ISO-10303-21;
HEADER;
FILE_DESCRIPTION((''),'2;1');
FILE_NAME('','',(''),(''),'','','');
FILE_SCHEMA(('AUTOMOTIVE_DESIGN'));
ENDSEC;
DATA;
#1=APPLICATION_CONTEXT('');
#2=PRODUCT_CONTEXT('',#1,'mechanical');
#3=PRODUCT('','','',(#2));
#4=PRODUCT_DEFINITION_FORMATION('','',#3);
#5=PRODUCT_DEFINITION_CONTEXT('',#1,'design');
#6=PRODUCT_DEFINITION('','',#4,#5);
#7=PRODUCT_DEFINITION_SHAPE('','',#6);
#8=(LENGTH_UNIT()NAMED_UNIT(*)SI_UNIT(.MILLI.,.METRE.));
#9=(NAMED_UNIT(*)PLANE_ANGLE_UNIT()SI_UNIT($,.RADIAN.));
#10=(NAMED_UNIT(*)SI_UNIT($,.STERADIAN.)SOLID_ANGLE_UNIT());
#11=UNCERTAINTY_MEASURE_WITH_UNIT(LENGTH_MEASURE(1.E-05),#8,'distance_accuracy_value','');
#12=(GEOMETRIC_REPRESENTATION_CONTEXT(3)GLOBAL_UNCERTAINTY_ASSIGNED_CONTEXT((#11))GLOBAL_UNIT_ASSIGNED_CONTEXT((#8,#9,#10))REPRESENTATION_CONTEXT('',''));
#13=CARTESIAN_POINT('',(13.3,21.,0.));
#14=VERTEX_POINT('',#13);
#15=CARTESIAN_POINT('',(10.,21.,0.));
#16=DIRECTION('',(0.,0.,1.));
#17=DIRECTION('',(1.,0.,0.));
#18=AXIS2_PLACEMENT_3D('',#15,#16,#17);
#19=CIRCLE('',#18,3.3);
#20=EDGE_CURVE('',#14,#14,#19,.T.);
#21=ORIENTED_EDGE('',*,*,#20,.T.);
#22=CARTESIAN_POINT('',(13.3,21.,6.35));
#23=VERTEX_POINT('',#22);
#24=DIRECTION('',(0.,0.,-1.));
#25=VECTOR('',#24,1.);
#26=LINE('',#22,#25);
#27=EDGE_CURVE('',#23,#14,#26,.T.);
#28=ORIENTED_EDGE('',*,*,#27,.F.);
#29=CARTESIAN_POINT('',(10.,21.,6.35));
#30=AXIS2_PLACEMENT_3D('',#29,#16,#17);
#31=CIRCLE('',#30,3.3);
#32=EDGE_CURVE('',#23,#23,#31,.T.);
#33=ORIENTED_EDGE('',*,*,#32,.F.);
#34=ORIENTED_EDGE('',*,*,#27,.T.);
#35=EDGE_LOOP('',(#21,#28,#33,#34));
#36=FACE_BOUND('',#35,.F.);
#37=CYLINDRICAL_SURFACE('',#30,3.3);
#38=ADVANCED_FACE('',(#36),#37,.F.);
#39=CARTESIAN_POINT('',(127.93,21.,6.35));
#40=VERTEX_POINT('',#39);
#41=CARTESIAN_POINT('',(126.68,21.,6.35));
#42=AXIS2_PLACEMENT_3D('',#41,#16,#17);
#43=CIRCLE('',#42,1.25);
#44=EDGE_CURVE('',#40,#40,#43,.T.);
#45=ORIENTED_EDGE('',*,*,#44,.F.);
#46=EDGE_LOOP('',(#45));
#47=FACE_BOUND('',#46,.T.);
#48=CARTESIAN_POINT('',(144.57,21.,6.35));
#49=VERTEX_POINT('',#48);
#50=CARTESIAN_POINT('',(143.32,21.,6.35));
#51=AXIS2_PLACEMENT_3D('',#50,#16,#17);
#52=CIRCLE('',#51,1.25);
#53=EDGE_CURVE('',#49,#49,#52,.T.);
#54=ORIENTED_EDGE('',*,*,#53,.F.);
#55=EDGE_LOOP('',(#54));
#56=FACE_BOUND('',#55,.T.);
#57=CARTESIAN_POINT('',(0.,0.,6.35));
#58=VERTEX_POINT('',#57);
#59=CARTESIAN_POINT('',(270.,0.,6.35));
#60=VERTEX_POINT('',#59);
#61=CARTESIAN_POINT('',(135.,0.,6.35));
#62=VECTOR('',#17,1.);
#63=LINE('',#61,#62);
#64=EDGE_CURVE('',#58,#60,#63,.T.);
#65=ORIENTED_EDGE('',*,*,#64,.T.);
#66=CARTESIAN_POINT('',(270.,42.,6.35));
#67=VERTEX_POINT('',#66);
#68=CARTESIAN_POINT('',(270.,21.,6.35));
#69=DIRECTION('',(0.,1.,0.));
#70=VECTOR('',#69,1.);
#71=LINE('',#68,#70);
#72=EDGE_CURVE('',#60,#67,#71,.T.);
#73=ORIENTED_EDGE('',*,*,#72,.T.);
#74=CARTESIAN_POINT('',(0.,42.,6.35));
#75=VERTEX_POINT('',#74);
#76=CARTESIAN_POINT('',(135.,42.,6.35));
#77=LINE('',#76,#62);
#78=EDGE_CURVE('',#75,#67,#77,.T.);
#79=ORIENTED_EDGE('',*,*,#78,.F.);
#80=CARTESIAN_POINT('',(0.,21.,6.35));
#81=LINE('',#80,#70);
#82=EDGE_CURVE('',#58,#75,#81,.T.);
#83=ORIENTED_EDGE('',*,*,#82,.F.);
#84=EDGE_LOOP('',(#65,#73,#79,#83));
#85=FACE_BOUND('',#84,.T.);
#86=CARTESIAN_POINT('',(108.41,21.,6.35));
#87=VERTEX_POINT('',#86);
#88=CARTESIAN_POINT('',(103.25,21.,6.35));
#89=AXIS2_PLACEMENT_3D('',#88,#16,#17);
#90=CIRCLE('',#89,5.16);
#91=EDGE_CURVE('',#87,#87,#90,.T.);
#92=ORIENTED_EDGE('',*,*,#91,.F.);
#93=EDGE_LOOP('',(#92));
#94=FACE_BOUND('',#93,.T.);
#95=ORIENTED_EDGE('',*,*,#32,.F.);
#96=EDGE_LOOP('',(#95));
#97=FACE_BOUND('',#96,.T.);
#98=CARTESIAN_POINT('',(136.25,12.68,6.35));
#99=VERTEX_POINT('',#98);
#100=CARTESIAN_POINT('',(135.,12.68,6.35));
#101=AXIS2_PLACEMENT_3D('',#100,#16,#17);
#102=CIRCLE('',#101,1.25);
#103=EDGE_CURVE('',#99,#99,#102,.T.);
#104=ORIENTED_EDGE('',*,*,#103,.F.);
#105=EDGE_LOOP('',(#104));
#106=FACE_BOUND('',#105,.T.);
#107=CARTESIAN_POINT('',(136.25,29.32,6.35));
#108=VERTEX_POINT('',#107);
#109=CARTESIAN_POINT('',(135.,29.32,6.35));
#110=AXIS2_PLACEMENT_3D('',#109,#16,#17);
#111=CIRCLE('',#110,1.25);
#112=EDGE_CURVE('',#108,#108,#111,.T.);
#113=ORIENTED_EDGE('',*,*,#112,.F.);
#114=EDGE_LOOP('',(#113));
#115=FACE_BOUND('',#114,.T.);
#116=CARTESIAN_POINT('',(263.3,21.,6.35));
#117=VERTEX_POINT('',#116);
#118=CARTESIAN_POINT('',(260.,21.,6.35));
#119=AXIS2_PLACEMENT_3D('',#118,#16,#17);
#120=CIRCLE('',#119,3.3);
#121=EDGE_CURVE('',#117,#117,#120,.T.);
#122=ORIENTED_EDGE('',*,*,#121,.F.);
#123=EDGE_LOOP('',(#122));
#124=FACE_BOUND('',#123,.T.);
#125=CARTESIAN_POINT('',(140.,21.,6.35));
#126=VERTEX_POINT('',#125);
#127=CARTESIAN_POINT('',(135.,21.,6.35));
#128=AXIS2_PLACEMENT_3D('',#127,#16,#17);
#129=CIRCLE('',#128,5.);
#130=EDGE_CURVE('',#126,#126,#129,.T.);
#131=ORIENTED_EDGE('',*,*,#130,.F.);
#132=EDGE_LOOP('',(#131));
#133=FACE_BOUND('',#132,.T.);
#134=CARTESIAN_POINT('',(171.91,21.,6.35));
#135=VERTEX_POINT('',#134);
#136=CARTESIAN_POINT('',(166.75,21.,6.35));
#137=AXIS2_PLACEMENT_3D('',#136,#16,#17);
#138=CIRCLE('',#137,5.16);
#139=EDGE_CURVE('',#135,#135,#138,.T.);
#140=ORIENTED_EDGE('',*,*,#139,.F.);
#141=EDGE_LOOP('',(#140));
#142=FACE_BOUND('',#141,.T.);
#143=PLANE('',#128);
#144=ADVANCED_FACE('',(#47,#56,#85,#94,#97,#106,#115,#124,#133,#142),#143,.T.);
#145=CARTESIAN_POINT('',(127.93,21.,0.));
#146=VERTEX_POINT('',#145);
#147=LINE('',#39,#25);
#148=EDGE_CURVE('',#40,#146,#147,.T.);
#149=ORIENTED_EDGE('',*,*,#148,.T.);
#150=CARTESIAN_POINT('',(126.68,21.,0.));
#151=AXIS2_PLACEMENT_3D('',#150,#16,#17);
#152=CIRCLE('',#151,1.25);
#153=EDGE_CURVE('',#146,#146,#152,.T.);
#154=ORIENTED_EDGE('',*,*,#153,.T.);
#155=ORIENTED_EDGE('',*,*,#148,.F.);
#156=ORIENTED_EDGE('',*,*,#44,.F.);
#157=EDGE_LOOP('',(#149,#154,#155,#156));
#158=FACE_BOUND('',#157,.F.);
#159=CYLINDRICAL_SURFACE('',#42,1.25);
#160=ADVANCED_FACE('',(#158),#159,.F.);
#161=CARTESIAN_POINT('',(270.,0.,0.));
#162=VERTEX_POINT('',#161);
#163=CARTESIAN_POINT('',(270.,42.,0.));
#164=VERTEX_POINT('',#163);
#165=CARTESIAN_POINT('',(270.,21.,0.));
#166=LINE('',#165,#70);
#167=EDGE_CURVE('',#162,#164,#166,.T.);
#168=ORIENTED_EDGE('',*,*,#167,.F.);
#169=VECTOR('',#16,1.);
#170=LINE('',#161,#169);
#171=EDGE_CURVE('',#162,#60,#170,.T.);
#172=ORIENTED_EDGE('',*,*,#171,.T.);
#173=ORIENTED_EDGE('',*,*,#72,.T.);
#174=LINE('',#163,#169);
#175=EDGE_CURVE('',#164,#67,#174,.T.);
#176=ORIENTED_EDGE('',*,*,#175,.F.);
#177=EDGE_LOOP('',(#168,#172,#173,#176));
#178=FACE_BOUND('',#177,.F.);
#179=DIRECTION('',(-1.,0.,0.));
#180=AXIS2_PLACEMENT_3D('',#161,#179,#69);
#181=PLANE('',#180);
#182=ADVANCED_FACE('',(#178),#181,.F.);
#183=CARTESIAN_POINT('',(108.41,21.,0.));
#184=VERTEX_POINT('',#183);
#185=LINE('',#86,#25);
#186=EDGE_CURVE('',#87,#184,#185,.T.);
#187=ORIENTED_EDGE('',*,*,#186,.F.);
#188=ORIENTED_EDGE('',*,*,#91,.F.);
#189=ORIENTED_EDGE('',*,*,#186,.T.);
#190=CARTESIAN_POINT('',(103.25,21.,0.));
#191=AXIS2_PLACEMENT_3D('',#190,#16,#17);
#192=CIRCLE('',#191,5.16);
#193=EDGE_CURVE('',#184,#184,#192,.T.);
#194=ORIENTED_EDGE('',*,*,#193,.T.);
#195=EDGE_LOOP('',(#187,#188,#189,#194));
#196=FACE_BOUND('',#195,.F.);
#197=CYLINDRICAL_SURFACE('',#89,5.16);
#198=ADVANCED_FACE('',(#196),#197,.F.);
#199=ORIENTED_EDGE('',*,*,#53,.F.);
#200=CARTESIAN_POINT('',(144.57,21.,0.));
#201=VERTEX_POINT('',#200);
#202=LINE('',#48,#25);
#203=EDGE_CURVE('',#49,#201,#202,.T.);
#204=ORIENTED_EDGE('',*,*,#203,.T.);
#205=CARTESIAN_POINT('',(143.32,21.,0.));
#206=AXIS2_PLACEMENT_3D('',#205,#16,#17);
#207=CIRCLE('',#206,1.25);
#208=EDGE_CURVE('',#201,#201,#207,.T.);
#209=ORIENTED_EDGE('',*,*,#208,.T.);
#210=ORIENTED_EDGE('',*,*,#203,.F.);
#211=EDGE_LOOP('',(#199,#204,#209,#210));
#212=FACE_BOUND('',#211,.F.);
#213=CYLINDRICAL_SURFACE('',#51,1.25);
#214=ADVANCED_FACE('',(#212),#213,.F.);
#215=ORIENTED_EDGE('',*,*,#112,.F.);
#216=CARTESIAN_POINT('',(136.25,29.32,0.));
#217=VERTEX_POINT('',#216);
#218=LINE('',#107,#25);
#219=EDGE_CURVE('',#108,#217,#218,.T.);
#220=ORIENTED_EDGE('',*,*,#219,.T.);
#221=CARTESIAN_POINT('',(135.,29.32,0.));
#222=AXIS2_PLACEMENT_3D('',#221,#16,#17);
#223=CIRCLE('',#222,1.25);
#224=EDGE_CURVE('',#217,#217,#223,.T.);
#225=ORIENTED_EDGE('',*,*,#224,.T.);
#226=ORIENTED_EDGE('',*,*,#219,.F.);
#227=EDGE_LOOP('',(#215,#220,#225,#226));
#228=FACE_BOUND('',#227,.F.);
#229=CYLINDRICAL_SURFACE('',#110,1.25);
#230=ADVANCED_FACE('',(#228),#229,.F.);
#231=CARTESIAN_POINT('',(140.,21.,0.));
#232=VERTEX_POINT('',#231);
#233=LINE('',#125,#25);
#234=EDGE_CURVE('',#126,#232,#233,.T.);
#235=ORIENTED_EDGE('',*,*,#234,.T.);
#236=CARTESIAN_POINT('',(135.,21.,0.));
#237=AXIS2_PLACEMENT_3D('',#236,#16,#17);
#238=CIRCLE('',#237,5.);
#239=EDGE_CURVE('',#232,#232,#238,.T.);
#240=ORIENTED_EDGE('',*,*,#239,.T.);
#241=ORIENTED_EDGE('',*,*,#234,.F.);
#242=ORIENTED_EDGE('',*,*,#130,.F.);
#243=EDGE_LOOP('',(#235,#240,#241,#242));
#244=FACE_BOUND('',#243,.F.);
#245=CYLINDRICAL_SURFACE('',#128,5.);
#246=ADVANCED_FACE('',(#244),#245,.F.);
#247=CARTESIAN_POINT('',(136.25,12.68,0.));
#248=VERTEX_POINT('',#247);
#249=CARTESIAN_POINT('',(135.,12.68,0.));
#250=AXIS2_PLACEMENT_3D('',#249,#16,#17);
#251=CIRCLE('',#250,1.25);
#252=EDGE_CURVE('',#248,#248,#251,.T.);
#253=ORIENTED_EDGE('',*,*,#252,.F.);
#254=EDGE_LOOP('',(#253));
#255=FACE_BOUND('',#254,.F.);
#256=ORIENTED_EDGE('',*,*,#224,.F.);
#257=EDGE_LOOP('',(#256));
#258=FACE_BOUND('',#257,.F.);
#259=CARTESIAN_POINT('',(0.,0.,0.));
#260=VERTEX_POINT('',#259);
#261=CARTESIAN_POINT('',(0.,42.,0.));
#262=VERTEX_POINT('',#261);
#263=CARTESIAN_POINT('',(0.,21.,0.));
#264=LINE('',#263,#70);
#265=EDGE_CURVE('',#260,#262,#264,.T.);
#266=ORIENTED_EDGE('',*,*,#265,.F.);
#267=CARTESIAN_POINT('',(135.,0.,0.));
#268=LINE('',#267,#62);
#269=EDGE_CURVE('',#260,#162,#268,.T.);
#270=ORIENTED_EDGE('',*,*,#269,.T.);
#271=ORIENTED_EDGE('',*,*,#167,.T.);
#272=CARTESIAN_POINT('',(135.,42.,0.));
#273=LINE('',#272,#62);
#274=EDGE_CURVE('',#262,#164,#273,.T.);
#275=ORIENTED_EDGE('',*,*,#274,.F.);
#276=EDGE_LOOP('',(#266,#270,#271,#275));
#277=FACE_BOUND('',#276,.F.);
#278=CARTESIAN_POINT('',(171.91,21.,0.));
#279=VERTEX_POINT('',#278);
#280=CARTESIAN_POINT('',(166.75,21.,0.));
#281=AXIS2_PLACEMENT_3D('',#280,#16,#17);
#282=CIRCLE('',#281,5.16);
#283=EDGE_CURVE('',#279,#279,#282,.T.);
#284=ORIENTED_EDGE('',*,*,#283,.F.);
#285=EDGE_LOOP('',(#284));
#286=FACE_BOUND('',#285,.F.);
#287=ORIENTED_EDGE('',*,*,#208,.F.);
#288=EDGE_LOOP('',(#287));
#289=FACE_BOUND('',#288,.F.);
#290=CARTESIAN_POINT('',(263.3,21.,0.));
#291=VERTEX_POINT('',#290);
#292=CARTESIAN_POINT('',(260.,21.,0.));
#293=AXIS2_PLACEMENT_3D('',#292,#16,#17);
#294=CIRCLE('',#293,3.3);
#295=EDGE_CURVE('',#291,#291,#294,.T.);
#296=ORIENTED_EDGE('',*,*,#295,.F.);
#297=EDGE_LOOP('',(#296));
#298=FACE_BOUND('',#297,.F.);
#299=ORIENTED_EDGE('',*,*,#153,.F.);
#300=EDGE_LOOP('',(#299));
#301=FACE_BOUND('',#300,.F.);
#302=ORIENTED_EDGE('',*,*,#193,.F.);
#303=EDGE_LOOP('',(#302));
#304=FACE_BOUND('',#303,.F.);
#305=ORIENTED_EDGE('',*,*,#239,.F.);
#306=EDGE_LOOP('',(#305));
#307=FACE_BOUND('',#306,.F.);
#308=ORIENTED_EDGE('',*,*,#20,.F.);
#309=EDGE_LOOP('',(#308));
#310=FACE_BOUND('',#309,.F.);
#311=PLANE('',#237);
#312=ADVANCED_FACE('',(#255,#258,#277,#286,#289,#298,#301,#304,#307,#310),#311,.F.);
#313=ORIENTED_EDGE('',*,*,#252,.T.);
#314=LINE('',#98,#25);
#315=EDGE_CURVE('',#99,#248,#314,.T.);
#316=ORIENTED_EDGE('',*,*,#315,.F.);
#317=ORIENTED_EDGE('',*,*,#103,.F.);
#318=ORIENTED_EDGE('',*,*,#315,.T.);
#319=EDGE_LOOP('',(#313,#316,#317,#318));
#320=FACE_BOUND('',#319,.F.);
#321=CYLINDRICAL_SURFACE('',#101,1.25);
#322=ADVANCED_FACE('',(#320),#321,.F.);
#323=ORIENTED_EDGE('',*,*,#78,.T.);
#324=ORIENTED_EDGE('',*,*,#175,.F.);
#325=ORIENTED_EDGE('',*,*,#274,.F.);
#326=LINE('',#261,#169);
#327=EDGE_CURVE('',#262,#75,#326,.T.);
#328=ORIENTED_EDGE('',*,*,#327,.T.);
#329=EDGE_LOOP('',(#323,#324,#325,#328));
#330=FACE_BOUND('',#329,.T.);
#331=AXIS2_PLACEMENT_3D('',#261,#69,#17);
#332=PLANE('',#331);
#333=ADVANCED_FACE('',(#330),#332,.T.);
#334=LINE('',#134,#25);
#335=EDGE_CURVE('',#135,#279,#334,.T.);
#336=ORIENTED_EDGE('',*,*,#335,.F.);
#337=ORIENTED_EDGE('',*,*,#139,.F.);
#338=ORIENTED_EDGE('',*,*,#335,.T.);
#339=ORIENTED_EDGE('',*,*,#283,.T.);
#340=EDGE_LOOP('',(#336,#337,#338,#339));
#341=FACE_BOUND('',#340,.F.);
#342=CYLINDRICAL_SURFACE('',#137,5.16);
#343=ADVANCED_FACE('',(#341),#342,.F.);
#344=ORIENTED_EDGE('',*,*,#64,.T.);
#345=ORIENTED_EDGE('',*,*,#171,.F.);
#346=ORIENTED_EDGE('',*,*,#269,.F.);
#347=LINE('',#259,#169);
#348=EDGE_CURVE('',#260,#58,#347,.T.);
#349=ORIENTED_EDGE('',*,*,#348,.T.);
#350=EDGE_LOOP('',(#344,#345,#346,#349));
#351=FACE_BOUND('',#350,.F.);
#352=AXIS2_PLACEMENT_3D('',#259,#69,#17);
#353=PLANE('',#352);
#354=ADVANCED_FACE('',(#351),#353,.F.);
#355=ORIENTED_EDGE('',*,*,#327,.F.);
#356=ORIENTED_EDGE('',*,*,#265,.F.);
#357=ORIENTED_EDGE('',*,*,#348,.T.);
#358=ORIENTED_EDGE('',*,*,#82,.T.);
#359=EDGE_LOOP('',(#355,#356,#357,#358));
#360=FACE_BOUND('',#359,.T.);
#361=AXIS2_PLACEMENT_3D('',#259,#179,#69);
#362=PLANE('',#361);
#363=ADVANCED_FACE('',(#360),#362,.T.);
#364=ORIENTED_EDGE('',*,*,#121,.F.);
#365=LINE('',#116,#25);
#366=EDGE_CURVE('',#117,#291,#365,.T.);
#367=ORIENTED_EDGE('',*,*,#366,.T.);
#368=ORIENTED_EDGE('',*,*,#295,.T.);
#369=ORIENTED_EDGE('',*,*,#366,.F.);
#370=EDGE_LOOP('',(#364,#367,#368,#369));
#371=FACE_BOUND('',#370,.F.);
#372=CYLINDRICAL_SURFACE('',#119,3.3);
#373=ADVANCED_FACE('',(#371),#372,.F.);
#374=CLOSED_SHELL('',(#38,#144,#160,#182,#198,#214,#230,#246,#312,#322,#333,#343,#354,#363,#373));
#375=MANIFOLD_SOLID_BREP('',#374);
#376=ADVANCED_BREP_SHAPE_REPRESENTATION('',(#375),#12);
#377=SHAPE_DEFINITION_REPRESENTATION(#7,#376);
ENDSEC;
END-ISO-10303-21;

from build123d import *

# Parameters (mm, degrees)
F0_W     = 270
F0_H     = 42
F1_DEPTH = 6.35
F2_R     = 5
F3_DEPTH = 6.351
F4_R     = 3.3
F5_DEPTH = 6.351
F6_R     = 5.16
F7_DEPTH = 6.351
F8_R     = 1.25
F9_DEPTH = 6.351


with BuildPart() as f1:
    # F0 (on Top) → F1 (new body)
    with BuildSketch(Plane.XY):
        with Locations((135, 21)):
            Rectangle(F0_W, F0_H)
    extrude(amount=F1_DEPTH)

    # F2 (on face) → F3 (cut, through all)
    with BuildSketch(Plane.XY.offset(6.35)):
        with Locations((135, 21)):
            Circle(F2_R)
    extrude(amount=-F3_DEPTH, mode=Mode.SUBTRACT)

    # F4 (on face) → F5 (cut, through all)
    with BuildSketch(Plane.XY.offset(6.35)):
        with Locations((10, 21)):
            Circle(F4_R)
        with Locations((260, 21)):
            Circle(F4_R)
    extrude(amount=-F5_DEPTH, mode=Mode.SUBTRACT)

    # F6 (on face) → F7 (cut, through all)
    with BuildSketch(Plane.XY.offset(6.35)):
        with Locations((103.25, 21)):
            Circle(F6_R)
        with Locations((166.75, 21)):
            Circle(F6_R)
    extrude(amount=-F7_DEPTH, mode=Mode.SUBTRACT)

    # F8 (on face) → F9 (cut, through all)
    with BuildSketch(Plane.XY.offset(6.35)):
        with Locations((135, 29.32)):
            Circle(F8_R)
        with Locations((126.68, 21)):
            Circle(F8_R)
        with Locations((135, 12.68)):
            Circle(F8_R)
        with Locations((143.32, 21)):
            Circle(F8_R)
    extrude(amount=-F9_DEPTH, mode=Mode.SUBTRACT)


solid = f1.part
